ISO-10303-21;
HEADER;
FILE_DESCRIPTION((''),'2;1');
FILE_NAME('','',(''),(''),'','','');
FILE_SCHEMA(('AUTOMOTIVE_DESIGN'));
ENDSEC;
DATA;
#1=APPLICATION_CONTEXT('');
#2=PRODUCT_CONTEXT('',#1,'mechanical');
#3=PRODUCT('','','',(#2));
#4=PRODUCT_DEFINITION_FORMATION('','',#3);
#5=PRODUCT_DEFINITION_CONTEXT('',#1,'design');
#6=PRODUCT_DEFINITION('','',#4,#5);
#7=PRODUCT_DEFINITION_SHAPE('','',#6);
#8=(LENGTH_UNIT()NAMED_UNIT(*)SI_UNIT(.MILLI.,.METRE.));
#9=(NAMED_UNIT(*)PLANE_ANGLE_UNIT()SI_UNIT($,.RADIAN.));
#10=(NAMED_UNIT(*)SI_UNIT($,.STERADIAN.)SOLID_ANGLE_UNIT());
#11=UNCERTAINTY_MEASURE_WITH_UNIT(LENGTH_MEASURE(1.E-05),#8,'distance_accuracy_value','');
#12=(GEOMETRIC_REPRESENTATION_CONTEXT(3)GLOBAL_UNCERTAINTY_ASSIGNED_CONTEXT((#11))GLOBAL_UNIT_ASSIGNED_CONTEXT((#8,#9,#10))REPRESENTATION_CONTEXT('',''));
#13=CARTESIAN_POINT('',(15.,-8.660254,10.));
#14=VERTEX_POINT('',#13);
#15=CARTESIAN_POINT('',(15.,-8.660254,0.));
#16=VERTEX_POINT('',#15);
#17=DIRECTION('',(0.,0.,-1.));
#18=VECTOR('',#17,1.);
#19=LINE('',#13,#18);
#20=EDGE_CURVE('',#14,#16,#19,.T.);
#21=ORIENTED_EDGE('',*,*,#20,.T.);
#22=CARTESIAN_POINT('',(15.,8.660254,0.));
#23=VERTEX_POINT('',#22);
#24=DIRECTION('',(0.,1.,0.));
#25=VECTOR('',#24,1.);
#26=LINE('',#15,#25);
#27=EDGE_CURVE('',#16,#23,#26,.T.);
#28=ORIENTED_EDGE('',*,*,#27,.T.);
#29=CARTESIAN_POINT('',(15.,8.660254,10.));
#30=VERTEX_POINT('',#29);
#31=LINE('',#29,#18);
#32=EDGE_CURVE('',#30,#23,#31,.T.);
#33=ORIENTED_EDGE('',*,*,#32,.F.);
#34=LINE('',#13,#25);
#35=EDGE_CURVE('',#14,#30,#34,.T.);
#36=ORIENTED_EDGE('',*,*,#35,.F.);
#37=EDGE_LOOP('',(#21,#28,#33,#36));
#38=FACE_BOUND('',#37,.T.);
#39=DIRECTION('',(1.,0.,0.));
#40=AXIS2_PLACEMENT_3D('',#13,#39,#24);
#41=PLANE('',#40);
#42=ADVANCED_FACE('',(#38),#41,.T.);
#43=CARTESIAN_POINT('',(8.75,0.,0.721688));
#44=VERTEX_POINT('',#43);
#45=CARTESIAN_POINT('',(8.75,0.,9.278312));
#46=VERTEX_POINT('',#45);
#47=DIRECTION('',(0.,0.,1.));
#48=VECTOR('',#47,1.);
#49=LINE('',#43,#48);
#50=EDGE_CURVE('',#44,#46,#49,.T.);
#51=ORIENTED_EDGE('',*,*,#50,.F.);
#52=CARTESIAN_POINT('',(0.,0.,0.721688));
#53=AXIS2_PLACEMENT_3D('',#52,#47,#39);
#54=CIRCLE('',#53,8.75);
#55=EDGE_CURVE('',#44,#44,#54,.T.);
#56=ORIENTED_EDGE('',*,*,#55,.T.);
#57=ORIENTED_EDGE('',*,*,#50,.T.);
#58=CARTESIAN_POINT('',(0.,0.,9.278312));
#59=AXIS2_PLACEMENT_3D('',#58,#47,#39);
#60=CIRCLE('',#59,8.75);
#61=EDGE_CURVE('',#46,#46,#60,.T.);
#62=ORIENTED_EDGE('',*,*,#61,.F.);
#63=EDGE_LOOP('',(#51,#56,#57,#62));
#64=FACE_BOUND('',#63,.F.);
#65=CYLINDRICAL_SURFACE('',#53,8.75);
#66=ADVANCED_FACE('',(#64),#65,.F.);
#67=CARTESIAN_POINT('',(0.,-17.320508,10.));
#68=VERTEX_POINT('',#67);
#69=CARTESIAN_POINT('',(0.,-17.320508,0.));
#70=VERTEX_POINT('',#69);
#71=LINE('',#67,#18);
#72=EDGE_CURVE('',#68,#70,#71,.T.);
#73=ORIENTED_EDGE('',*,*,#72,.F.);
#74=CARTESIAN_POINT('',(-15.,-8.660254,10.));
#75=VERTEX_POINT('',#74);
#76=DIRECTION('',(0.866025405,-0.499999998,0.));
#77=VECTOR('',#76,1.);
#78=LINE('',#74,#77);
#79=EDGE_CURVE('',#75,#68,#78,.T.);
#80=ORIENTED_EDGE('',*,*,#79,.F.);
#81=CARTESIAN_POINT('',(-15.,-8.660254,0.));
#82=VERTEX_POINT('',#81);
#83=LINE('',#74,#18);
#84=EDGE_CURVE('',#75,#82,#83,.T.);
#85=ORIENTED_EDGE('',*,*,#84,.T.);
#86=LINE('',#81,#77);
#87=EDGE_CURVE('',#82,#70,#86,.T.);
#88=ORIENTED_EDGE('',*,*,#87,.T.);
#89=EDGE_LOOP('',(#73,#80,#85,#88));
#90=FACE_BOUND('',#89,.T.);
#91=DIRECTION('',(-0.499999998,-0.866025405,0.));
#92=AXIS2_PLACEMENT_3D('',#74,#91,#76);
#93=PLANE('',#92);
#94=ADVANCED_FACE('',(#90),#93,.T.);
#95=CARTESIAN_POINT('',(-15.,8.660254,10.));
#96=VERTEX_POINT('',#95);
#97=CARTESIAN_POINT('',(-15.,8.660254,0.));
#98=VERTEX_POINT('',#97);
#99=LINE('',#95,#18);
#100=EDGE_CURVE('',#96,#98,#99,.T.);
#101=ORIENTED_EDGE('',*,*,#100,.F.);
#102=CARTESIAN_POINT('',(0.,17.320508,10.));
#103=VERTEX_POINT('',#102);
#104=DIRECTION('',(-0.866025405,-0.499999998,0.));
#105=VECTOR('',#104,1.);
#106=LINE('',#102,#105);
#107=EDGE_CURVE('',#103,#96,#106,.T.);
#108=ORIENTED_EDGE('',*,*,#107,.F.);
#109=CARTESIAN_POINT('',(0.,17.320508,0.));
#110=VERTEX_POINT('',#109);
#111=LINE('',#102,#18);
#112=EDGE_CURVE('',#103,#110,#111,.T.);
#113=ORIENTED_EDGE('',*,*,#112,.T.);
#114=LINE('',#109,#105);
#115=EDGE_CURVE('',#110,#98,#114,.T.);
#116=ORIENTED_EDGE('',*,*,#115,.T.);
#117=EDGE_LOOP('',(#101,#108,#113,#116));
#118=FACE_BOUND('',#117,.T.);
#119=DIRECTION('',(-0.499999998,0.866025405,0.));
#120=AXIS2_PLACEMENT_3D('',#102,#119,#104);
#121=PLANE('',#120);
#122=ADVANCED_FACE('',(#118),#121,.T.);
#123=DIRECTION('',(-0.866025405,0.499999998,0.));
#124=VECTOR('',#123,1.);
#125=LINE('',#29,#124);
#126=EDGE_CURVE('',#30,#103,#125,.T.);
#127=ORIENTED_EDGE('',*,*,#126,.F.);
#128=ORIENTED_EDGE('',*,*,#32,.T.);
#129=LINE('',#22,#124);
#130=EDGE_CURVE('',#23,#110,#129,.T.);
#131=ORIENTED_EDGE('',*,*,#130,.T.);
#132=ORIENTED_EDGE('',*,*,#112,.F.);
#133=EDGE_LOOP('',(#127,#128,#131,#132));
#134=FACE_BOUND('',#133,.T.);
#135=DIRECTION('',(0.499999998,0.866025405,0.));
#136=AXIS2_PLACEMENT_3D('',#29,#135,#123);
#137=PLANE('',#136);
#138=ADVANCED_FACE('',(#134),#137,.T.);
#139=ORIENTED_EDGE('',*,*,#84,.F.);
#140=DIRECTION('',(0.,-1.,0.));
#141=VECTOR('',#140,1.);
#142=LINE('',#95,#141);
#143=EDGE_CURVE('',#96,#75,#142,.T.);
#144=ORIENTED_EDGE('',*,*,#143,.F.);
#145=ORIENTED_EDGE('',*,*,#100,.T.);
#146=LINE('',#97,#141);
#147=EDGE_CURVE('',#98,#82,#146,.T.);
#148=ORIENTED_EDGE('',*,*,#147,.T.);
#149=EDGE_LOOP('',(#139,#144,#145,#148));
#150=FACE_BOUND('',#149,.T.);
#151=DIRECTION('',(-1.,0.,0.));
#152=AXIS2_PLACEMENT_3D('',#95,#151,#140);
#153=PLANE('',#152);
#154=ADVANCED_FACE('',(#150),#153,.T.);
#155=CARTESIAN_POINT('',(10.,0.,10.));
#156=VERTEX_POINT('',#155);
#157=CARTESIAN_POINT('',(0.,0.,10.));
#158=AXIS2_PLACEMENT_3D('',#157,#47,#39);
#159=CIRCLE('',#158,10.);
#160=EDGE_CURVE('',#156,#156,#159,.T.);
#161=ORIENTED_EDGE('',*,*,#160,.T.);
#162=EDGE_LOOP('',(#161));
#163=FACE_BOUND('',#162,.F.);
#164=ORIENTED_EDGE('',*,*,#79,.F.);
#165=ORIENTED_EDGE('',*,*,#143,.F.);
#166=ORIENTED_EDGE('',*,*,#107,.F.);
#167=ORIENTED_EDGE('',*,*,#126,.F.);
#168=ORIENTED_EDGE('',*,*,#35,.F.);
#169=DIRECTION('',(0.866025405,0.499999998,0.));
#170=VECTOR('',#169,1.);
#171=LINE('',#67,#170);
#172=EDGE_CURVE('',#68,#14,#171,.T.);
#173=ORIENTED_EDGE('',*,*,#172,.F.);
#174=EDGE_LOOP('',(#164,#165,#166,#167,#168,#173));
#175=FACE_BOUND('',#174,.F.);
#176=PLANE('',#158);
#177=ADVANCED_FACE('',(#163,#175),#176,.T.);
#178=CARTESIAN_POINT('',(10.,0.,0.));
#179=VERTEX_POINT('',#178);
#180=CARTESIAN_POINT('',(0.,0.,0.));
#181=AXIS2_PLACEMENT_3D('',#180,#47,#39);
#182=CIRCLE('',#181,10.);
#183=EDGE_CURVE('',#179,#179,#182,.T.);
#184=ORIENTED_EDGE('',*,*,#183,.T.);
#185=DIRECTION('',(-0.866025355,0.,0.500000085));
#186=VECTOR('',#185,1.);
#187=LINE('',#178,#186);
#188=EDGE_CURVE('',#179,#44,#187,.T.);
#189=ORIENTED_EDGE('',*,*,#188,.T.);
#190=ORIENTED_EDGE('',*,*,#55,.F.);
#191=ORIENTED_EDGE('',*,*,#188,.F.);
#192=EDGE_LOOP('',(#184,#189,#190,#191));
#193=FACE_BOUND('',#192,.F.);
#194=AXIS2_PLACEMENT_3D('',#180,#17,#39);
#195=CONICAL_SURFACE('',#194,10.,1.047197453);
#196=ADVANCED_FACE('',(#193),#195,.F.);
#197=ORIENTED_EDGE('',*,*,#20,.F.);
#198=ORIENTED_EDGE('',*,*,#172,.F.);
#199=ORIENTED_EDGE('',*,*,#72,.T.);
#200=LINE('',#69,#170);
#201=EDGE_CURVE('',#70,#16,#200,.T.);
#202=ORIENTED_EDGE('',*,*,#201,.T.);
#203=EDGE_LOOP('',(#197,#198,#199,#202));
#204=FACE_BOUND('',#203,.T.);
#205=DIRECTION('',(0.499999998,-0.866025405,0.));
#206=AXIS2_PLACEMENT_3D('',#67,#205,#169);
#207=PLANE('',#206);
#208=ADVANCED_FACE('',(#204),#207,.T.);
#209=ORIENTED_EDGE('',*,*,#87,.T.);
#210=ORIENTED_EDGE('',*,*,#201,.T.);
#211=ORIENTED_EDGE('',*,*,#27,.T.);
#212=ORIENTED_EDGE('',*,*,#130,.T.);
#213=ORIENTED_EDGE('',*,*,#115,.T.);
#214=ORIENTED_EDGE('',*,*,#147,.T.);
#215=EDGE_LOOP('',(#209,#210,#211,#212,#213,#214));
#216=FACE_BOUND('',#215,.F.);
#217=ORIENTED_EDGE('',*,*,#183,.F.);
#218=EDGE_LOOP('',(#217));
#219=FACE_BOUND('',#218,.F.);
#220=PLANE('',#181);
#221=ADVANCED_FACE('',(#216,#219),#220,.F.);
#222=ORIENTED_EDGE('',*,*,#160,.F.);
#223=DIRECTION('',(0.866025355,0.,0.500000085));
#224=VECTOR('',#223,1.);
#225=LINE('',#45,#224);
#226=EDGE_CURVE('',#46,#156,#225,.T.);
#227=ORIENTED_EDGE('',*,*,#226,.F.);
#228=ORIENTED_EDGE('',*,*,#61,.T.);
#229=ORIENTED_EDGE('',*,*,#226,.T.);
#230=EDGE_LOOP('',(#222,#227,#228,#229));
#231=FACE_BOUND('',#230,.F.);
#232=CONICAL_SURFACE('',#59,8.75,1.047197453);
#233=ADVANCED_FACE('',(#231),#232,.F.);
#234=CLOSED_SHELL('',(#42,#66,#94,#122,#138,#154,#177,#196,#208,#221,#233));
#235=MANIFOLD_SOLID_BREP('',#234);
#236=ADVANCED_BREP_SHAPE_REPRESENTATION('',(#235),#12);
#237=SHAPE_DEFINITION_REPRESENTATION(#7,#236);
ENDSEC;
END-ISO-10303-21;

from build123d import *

# Parameters (mm, degrees)
SKETCH001_R  = 18
POCKET_DEPTH = 10


with BuildPart() as part:
    # Sketch → Revolution (revolve)
    with BuildSketch(Plane.XZ):
        Polygon((10, 0), (8.75, 0.721688), (8.75, 9.278312), (10, 10), (18, 10), (18, 0), align=None)
    revolve(axis=Axis((0, 0, 0), (0, 0, 1)))

    # Sketch001 → Pocket (cut)
    with BuildSketch(Plane(origin=(0, 0, 10), x_dir=(-1, 0, 0), z_dir=(0, 0, 1))):
        Circle(SKETCH001_R)
        Polygon((-15, 8.660254), (-15, -8.660254), (0, -17.320508), (15, -8.660254), (15, 8.660254), (0, 17.320508), align=None, mode=Mode.SUBTRACT)
    extrude(amount=-POCKET_DEPTH, mode=Mode.SUBTRACT)


solid = part.part
